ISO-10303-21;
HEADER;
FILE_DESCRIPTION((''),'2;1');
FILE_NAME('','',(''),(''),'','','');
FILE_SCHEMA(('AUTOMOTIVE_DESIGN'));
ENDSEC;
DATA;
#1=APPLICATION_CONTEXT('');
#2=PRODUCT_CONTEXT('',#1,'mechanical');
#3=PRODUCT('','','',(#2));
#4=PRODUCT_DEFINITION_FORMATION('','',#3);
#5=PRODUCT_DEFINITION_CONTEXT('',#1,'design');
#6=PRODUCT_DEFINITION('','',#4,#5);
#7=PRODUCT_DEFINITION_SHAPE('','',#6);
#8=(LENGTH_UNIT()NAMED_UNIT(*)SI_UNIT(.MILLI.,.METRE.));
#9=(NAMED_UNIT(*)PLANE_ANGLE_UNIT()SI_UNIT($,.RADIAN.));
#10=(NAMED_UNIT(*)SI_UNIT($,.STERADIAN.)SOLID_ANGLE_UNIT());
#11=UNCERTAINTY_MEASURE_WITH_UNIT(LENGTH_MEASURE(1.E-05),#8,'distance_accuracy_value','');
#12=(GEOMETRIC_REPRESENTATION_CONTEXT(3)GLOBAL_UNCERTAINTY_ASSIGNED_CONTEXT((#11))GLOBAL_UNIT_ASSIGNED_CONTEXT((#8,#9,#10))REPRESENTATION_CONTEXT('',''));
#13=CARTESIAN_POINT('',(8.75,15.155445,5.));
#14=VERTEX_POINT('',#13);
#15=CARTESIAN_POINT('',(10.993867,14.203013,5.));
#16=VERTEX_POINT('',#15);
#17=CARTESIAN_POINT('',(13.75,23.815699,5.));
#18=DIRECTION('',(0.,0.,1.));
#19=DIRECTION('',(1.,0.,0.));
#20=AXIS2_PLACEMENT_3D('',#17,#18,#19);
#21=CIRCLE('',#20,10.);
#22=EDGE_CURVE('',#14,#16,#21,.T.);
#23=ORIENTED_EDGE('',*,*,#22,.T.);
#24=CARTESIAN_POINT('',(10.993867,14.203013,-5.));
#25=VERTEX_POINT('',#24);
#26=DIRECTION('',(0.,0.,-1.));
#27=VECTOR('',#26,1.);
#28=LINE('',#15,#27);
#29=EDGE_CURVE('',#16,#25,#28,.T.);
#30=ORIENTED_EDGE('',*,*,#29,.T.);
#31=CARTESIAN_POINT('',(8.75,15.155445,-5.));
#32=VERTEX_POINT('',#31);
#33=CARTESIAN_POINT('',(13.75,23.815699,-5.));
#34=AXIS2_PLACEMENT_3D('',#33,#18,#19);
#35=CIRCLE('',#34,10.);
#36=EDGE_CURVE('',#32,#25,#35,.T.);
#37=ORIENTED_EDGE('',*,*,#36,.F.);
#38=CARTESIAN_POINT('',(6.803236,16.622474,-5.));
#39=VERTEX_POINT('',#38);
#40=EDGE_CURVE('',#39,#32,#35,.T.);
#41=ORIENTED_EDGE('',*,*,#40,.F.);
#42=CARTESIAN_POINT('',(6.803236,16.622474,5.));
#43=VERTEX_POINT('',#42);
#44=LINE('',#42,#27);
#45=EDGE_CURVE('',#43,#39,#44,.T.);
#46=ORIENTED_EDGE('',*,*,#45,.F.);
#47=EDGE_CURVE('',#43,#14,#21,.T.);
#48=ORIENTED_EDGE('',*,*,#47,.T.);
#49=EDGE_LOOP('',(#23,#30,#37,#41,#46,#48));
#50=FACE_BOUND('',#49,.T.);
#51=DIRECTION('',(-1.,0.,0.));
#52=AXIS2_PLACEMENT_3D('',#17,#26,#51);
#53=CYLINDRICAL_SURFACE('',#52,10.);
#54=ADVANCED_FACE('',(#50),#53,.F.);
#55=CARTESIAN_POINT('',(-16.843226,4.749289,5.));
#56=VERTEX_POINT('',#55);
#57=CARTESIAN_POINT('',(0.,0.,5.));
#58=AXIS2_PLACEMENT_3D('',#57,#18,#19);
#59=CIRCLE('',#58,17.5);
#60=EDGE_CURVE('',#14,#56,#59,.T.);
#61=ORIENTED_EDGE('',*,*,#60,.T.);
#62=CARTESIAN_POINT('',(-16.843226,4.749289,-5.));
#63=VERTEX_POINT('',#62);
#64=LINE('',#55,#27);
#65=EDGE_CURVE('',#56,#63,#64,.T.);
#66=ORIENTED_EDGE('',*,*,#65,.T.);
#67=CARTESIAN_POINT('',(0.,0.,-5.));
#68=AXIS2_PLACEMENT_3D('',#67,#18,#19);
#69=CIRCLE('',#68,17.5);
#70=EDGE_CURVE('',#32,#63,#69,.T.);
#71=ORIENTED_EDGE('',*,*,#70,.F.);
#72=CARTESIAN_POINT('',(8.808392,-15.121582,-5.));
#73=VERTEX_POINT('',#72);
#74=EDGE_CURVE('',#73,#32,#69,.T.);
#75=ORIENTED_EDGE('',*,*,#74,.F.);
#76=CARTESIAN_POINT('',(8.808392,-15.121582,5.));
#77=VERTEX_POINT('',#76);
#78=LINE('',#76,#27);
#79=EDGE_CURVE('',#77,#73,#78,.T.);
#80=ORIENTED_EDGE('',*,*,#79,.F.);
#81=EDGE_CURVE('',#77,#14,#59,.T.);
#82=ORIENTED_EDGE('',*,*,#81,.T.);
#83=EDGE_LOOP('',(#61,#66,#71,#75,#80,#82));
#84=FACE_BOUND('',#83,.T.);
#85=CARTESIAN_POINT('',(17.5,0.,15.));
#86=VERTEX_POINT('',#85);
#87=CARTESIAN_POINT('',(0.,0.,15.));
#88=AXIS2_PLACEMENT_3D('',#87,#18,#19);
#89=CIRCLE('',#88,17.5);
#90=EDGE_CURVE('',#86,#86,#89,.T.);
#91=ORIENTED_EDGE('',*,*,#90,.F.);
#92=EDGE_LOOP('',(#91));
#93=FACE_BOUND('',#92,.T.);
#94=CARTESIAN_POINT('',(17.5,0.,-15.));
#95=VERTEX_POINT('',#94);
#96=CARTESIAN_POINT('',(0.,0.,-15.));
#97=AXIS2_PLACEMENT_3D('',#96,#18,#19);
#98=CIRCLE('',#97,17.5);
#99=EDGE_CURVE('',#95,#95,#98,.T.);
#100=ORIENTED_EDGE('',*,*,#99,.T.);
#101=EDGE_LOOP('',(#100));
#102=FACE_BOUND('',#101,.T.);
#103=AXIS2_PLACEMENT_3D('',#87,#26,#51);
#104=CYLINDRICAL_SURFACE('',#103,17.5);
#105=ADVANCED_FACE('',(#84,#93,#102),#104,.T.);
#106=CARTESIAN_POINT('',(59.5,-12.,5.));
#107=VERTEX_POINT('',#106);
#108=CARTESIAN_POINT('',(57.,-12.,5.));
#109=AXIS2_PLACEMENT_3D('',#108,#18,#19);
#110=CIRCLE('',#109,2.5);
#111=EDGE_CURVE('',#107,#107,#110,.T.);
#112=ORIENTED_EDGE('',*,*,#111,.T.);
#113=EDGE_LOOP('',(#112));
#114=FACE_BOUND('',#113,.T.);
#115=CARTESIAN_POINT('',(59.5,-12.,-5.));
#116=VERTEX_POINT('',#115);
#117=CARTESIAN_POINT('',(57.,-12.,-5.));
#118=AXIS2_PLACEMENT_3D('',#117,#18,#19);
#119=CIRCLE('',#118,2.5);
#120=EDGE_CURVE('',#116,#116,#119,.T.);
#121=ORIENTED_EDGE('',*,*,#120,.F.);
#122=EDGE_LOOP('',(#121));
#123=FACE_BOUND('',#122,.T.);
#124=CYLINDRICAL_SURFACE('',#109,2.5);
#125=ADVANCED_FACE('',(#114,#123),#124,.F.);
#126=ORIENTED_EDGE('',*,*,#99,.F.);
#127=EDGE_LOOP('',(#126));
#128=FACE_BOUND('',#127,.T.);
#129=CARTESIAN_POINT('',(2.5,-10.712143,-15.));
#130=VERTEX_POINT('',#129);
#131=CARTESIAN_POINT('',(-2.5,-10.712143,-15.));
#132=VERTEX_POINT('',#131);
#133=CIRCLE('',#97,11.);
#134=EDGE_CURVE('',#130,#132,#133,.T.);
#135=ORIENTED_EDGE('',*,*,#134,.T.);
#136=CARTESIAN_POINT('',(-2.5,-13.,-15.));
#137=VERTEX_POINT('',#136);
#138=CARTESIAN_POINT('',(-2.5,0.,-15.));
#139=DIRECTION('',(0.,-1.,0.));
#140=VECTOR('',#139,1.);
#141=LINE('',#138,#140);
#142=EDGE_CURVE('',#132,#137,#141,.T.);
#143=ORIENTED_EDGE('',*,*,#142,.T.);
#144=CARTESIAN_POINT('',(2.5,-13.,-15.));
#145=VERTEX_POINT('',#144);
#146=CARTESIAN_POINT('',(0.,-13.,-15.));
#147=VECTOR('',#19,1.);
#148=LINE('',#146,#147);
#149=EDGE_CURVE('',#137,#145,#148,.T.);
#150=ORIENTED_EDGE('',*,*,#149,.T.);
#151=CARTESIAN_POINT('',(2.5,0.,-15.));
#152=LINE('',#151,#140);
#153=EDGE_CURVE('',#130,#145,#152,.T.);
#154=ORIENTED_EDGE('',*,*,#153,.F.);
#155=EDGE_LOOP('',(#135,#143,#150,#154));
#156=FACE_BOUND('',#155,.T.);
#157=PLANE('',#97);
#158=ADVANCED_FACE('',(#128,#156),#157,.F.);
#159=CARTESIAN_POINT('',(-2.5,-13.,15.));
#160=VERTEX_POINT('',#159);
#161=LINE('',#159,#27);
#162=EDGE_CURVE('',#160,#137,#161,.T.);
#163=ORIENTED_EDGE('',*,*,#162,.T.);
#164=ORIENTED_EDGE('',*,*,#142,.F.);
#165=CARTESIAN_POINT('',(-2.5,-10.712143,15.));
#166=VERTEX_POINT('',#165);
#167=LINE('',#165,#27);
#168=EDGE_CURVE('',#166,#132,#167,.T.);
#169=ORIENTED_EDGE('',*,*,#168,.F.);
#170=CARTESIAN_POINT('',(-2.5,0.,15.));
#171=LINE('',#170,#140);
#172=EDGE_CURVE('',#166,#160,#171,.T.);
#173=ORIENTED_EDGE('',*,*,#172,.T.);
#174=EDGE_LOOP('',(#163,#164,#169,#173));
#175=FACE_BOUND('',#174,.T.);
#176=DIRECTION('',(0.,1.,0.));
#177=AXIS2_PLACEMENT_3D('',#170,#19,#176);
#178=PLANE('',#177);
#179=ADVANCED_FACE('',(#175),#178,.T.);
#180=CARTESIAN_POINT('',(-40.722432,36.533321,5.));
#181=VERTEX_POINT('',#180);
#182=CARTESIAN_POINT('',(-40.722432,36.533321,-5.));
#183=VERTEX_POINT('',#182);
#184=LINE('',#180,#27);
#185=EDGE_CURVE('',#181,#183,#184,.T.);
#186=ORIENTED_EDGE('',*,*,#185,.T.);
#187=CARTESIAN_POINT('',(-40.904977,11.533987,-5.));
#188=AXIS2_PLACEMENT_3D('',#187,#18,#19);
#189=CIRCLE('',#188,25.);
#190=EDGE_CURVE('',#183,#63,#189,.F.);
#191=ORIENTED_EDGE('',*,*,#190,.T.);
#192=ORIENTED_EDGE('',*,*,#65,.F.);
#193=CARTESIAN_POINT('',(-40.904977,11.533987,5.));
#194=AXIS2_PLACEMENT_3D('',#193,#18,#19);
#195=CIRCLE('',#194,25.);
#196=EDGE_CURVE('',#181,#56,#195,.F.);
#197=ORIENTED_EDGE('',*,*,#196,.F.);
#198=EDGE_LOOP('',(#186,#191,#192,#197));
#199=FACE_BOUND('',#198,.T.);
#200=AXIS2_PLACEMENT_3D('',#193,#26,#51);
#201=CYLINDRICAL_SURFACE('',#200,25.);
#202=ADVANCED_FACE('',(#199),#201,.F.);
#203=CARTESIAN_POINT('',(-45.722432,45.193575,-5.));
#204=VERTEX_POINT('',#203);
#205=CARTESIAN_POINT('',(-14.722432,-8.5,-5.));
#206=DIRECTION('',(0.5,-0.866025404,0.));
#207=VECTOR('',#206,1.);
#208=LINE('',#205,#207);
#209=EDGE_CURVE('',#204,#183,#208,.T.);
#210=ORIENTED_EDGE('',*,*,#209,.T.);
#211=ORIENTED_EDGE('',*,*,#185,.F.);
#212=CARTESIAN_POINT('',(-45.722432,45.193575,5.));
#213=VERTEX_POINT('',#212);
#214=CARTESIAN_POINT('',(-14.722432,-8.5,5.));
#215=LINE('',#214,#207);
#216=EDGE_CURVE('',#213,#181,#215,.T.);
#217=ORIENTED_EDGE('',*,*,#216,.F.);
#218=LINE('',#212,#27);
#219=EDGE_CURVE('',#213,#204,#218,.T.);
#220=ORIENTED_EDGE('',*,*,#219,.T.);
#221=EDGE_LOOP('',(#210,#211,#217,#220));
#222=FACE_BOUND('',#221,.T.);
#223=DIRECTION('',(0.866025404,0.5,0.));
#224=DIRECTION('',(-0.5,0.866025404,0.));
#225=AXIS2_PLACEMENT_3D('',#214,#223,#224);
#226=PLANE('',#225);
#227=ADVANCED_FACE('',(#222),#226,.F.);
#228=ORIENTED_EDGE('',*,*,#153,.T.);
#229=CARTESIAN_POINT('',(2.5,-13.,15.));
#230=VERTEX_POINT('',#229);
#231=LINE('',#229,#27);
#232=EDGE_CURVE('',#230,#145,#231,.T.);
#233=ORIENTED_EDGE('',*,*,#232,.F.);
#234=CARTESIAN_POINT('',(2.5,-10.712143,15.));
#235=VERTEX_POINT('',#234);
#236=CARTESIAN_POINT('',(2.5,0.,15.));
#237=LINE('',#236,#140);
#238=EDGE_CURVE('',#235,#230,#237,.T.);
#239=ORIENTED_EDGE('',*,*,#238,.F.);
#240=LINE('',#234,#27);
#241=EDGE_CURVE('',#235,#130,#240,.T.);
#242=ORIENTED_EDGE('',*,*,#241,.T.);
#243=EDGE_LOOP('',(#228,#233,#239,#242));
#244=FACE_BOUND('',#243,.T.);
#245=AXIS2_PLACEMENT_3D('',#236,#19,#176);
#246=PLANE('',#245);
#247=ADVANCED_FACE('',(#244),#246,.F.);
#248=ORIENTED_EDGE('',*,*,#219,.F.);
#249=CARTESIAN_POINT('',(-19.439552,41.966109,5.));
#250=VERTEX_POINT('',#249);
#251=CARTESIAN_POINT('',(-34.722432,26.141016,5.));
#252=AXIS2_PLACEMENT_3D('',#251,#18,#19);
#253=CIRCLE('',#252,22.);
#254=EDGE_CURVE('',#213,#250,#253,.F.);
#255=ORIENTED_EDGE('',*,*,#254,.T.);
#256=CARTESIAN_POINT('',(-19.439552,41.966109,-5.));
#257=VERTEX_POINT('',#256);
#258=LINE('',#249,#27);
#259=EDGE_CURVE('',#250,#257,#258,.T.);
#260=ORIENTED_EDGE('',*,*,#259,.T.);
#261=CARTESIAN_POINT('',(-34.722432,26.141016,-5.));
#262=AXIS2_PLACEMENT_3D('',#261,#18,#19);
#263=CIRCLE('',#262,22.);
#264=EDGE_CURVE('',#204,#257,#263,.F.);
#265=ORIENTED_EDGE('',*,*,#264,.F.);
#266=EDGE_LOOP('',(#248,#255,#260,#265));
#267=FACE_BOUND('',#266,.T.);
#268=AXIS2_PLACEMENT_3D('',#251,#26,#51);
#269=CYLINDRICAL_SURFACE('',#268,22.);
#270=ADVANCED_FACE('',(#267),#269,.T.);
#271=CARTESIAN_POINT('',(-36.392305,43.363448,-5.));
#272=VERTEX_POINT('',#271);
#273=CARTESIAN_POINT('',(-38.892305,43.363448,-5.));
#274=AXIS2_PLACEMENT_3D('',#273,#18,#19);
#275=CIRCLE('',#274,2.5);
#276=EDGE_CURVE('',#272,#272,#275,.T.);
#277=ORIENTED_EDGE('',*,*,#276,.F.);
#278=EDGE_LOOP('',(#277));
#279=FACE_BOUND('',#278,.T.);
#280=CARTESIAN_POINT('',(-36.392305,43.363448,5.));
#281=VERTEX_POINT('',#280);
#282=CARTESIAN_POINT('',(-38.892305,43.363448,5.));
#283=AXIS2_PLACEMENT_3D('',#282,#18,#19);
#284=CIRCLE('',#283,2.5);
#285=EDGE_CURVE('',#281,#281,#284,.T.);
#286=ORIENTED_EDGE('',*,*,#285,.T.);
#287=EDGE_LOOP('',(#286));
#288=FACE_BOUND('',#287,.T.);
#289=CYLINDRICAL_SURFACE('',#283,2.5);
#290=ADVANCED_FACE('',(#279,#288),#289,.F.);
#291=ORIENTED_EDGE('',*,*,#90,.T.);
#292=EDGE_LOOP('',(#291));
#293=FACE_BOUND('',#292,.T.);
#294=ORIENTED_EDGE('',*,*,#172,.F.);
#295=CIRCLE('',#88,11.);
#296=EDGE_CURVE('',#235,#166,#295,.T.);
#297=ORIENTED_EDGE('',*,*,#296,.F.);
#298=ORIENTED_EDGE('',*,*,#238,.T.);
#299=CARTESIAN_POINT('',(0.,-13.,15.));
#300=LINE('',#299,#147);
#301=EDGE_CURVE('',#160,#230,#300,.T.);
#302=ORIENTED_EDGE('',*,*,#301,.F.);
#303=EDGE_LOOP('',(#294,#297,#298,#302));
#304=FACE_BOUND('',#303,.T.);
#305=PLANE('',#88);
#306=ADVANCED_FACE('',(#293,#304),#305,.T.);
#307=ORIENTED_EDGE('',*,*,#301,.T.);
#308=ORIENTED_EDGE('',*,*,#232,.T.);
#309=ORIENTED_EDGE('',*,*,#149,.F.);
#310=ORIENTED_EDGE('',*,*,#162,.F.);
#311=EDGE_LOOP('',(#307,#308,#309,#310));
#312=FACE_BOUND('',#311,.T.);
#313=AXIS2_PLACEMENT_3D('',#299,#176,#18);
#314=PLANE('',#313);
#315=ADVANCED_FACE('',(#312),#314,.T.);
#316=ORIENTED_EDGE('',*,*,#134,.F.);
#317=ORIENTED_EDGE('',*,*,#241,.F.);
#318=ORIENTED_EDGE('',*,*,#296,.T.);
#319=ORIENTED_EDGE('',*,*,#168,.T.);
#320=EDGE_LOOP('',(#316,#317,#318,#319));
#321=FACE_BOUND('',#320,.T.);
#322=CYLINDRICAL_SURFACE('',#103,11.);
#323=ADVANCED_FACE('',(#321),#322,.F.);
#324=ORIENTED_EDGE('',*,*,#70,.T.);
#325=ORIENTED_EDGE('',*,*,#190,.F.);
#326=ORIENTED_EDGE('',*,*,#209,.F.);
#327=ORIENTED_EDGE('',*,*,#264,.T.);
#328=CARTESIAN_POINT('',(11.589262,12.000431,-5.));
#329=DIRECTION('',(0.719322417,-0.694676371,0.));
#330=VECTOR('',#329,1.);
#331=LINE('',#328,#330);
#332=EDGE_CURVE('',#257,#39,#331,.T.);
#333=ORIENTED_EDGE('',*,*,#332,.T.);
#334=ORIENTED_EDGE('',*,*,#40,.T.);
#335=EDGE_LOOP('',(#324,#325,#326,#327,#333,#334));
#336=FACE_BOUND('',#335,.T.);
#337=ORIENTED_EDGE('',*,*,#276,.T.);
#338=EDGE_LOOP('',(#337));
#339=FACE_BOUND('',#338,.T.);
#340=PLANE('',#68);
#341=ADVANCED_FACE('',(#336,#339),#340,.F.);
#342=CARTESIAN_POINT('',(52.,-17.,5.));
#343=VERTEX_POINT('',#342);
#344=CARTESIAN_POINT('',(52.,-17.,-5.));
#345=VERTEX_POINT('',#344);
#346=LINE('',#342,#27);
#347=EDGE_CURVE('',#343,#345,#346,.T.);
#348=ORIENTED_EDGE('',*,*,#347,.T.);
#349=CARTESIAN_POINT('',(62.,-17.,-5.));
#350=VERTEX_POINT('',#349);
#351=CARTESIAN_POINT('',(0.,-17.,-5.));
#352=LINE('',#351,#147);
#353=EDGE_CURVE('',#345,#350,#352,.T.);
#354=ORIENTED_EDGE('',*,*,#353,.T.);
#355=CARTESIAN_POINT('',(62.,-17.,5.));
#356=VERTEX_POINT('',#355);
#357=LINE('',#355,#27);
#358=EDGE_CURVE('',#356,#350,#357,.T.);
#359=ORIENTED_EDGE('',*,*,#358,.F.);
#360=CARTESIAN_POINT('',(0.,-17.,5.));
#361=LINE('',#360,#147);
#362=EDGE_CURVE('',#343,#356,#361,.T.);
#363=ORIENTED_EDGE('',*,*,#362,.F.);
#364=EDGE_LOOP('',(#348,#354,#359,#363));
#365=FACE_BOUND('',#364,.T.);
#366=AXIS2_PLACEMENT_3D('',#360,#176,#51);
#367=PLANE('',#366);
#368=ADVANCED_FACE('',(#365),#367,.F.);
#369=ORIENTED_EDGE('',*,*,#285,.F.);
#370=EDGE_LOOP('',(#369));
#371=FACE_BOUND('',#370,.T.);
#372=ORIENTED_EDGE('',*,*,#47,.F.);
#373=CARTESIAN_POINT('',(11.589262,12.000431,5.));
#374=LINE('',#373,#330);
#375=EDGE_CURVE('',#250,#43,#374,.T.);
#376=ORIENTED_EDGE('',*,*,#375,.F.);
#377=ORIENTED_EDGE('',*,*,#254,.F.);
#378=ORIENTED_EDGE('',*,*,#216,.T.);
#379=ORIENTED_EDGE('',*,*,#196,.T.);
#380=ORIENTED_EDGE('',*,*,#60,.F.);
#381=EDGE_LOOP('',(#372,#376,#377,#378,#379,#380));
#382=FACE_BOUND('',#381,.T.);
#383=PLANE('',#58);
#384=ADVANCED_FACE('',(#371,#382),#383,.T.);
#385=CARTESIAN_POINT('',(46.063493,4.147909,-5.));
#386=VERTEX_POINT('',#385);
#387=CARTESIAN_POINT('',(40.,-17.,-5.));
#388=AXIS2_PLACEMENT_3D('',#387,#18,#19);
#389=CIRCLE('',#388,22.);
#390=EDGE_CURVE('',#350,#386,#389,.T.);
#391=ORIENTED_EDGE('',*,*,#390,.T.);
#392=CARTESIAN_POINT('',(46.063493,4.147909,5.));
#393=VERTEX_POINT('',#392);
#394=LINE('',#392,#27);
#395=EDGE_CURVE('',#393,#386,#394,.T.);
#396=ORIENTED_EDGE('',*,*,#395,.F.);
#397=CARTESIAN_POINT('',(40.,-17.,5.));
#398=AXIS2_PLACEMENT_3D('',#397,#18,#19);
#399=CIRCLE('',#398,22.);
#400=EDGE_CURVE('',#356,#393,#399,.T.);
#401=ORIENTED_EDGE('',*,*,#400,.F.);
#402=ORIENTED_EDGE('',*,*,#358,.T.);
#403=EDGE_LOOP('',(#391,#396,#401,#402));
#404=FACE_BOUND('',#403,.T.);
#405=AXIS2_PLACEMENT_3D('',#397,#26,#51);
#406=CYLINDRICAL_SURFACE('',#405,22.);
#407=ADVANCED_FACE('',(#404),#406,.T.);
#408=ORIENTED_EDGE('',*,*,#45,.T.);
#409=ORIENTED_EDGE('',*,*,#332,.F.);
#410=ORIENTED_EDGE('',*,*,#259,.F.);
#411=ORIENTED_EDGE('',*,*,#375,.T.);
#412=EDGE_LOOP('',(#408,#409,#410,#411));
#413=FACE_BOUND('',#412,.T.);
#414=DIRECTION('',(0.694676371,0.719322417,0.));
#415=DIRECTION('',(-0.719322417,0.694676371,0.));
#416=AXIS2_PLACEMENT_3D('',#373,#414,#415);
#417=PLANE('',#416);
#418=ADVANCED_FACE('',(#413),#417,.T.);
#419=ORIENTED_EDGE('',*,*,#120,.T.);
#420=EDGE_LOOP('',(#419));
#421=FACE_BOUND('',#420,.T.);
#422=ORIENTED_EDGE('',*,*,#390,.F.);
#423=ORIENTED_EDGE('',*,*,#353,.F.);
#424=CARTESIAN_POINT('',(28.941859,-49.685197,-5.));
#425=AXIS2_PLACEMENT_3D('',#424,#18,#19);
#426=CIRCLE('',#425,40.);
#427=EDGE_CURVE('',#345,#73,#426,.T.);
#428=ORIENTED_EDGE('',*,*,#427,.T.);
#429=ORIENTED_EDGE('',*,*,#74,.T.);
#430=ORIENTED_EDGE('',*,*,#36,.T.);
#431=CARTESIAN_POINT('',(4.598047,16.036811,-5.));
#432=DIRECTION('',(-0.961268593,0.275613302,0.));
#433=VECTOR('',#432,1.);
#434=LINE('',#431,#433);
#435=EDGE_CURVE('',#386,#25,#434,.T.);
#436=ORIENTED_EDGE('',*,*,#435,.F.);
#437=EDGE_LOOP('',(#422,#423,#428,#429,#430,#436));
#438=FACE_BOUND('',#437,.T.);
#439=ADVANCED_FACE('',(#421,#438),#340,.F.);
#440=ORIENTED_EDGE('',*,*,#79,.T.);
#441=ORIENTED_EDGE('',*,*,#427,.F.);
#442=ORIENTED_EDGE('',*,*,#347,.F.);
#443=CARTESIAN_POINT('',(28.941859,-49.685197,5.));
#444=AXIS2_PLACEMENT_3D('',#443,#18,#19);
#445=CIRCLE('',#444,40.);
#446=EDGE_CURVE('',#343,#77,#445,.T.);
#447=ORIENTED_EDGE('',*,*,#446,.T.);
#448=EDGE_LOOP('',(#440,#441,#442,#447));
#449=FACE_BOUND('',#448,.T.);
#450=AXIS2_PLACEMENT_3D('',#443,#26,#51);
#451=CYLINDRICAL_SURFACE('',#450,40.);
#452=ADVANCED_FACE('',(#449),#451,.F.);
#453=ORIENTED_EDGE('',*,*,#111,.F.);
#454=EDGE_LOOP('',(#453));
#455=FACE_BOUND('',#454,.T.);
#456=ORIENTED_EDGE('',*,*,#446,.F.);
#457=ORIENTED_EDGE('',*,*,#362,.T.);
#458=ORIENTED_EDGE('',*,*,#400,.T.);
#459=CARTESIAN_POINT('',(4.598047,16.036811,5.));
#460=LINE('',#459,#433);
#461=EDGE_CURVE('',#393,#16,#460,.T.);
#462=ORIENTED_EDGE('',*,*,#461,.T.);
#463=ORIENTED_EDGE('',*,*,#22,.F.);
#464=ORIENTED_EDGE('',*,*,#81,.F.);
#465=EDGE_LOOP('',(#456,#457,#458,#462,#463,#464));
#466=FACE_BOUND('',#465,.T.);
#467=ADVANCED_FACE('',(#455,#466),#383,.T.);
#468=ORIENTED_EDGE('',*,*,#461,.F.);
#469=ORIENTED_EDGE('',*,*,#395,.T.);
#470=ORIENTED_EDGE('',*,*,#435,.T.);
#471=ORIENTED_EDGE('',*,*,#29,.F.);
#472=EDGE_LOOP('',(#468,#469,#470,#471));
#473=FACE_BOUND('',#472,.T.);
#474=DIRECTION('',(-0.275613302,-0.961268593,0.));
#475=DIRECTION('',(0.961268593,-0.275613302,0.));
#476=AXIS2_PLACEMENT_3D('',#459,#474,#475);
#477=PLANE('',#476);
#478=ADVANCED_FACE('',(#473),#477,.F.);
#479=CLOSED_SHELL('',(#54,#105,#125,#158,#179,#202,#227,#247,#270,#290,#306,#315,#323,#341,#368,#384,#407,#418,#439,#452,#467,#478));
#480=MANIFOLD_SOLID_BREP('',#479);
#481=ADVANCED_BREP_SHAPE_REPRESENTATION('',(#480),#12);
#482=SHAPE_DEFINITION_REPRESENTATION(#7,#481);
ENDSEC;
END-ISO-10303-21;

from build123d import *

# Parameters (mm, degrees)
ESTRUSIONE_ESTRUSIONE1_DEPTH   = 5
ESTRUSIONE_ESTRUSIONE1_2_DEPTH = 5
SCHIZZO1_3_R                   = 17.5
ESTRUSIONE_ESTRUSIONE2_DEPTH   = 15
FORO_5_0_5_1_D                 = 5


with BuildPart() as part:
    # Schizzo1 → Estrusione-Estrusione1 (new, symmetric)
    with BuildSketch(Plane.XY):
        with BuildLine():
            ThreePointArc((-19.439551712, 41.966109335), (-32.041033104, 47.97699794), (-45.722431864, 45.193575035))
            Line((-45.722431864, 45.193575035), (-40.722431864, 36.533320997))
            ThreePointArc((-40.722431864, 36.533320997), (-20.917414575, 26.550556749), (-16.843225773, 4.749288954))
            ThreePointArc((-16.843225773, 4.749288954), (-6.591441138, 16.211196863), (8.74999975, 15.155444711))
            ThreePointArc((8.74999975, 15.155444711), (7.731749731, 15.829418888), (6.803236294, 16.62247443))
            Line((6.803236294, 16.62247443), (-19.439551712, 41.966109335))
        make_face()
    extrude(amount=ESTRUSIONE_ESTRUSIONE1_DEPTH, both=True)



with BuildPart() as body_2:
    # Schizzo1 → Estrusione-Estrusione1 2 (new, symmetric)
    with BuildSketch(Plane.XY):
        with BuildLine():
            ThreePointArc((17.5, 0), (15.172291449, -8.720755253), (8.808391751, -15.121581755))
            ThreePointArc((8.808391751, -15.121581755), (30.679829856, -9.722971831), (52, -17))
            Line((52, -17), (62, -17))
            ThreePointArc((62, -17), (57.569815566, -3.759849662), (46.063492638, 4.147909046))
            Line((46.063492638, 4.147909046), (10.993866983, 14.203012674))
            ThreePointArc((10.993866983, 14.203012674), (9.842803753, 14.61060124), (8.74999975, 15.155444711))
            ThreePointArc((8.74999975, 15.155444711), (15.155444494, 8.750000125), (17.5, 0))
        make_face()
    extrude(amount=ESTRUSIONE_ESTRUSIONE1_2_DEPTH, both=True)


with BuildPart() as part_1:
    add(part.part)

    add(body_2.part)  # Estrusione-Estrusione2 merges body 2
    # Schizzo1<3> → Estrusione-Estrusione2 (add, symmetric)
    with BuildSketch(Plane.XY):
        Circle(SCHIZZO1_3_R)
        with BuildLine():
            ThreePointArc((2.5, -10.712142643), (0, 11), (-2.5, -10.712142643))
            Line((-2.5, -10.712142643), (-2.5, -13))
            Line((-2.5, -13), (2.5, -13))
            Line((2.5, -13), (2.5, -10.712142643))
        make_face(mode=Mode.SUBTRACT)
    extrude(amount=ESTRUSIONE_ESTRUSIONE2_DEPTH, both=True)

    # Foro Ø5.0 (5)-1 (through all)
    with Locations(Plane.XY.offset(5)):
        with Locations((-38.892304845, 43.363448016), (57, -12)):
            Hole(FORO_5_0_5_1_D / 2)


solid = part_1.part
